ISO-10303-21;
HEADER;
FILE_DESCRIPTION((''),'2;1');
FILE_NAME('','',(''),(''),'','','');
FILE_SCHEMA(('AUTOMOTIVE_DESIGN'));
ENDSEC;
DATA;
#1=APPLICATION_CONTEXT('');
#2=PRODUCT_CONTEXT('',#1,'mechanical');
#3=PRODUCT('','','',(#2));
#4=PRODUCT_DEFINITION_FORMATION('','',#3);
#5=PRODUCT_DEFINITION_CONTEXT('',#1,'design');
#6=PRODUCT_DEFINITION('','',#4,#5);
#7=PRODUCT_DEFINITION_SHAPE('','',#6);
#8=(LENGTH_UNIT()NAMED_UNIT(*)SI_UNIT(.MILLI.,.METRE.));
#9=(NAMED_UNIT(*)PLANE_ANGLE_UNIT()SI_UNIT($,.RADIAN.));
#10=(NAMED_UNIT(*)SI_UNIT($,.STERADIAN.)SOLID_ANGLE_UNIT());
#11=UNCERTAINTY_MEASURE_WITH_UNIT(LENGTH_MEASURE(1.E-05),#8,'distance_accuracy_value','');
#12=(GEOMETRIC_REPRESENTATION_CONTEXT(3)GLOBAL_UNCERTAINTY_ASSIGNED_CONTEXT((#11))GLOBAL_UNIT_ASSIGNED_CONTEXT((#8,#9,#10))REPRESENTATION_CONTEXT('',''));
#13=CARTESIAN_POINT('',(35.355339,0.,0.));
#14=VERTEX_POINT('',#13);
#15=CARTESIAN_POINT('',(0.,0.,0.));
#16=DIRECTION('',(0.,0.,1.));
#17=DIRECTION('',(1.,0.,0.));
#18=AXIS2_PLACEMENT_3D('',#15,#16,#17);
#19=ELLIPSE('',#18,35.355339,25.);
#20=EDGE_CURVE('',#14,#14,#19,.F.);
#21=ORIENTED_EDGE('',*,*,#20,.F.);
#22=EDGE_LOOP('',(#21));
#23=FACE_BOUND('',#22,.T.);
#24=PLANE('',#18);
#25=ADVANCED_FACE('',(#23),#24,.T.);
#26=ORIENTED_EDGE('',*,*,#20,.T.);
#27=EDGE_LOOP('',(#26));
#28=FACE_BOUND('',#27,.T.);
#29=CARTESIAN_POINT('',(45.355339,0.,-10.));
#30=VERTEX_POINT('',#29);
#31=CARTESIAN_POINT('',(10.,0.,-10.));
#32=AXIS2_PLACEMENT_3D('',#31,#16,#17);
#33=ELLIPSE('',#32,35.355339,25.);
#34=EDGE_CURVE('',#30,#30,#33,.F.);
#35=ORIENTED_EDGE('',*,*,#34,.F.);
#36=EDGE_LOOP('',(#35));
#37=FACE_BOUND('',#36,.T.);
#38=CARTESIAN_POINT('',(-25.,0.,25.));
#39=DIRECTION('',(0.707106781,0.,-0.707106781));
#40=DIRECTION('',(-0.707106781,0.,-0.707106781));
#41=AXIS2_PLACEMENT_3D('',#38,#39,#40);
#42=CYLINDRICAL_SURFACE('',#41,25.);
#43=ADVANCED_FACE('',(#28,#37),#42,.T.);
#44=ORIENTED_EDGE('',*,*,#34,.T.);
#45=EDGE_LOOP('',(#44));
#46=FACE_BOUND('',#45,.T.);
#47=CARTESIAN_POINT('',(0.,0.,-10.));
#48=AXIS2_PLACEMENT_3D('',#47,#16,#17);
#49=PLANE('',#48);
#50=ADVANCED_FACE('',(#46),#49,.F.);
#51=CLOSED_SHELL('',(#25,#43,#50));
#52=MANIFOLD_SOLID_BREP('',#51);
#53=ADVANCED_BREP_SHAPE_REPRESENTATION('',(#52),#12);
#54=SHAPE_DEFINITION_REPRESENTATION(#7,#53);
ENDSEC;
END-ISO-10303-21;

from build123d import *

# Parameters (mm, degrees)
SKETCH2_R               = 50
BOSS_EXTRUDE1_DEPTH     = 10
CUT_EXTRUDE1_DEPTH      = 72.414284285
CUT_EXTRUDE1_DEPTH_BACK = 72.414284285
SKETCH3_R               = 75
SKETCH3_R_2             = 25


with BuildPart() as part:
    # Sketch2 → Boss-Extrude1 (new body)
    with BuildSketch(Plane.XY):
        Circle(SKETCH2_R)
    extrude(amount=-BOSS_EXTRUDE1_DEPTH)

    # Sketch3 → Cut-Extrude1 (cut, two sides: drawn at the far end of the back side and taken through both)
    with BuildSketch(Plane(origin=(0, 0, 0), x_dir=(0.7071067811865464, 0, 0.7071067811865488), z_dir=(-0.7071067811865488, 0, 0.7071067811865464)).offset(-CUT_EXTRUDE1_DEPTH_BACK)):
        Circle(SKETCH3_R)
        Circle(SKETCH3_R_2, mode=Mode.SUBTRACT)
    extrude(amount=CUT_EXTRUDE1_DEPTH + CUT_EXTRUDE1_DEPTH_BACK, mode=Mode.SUBTRACT)


solid = part.part
